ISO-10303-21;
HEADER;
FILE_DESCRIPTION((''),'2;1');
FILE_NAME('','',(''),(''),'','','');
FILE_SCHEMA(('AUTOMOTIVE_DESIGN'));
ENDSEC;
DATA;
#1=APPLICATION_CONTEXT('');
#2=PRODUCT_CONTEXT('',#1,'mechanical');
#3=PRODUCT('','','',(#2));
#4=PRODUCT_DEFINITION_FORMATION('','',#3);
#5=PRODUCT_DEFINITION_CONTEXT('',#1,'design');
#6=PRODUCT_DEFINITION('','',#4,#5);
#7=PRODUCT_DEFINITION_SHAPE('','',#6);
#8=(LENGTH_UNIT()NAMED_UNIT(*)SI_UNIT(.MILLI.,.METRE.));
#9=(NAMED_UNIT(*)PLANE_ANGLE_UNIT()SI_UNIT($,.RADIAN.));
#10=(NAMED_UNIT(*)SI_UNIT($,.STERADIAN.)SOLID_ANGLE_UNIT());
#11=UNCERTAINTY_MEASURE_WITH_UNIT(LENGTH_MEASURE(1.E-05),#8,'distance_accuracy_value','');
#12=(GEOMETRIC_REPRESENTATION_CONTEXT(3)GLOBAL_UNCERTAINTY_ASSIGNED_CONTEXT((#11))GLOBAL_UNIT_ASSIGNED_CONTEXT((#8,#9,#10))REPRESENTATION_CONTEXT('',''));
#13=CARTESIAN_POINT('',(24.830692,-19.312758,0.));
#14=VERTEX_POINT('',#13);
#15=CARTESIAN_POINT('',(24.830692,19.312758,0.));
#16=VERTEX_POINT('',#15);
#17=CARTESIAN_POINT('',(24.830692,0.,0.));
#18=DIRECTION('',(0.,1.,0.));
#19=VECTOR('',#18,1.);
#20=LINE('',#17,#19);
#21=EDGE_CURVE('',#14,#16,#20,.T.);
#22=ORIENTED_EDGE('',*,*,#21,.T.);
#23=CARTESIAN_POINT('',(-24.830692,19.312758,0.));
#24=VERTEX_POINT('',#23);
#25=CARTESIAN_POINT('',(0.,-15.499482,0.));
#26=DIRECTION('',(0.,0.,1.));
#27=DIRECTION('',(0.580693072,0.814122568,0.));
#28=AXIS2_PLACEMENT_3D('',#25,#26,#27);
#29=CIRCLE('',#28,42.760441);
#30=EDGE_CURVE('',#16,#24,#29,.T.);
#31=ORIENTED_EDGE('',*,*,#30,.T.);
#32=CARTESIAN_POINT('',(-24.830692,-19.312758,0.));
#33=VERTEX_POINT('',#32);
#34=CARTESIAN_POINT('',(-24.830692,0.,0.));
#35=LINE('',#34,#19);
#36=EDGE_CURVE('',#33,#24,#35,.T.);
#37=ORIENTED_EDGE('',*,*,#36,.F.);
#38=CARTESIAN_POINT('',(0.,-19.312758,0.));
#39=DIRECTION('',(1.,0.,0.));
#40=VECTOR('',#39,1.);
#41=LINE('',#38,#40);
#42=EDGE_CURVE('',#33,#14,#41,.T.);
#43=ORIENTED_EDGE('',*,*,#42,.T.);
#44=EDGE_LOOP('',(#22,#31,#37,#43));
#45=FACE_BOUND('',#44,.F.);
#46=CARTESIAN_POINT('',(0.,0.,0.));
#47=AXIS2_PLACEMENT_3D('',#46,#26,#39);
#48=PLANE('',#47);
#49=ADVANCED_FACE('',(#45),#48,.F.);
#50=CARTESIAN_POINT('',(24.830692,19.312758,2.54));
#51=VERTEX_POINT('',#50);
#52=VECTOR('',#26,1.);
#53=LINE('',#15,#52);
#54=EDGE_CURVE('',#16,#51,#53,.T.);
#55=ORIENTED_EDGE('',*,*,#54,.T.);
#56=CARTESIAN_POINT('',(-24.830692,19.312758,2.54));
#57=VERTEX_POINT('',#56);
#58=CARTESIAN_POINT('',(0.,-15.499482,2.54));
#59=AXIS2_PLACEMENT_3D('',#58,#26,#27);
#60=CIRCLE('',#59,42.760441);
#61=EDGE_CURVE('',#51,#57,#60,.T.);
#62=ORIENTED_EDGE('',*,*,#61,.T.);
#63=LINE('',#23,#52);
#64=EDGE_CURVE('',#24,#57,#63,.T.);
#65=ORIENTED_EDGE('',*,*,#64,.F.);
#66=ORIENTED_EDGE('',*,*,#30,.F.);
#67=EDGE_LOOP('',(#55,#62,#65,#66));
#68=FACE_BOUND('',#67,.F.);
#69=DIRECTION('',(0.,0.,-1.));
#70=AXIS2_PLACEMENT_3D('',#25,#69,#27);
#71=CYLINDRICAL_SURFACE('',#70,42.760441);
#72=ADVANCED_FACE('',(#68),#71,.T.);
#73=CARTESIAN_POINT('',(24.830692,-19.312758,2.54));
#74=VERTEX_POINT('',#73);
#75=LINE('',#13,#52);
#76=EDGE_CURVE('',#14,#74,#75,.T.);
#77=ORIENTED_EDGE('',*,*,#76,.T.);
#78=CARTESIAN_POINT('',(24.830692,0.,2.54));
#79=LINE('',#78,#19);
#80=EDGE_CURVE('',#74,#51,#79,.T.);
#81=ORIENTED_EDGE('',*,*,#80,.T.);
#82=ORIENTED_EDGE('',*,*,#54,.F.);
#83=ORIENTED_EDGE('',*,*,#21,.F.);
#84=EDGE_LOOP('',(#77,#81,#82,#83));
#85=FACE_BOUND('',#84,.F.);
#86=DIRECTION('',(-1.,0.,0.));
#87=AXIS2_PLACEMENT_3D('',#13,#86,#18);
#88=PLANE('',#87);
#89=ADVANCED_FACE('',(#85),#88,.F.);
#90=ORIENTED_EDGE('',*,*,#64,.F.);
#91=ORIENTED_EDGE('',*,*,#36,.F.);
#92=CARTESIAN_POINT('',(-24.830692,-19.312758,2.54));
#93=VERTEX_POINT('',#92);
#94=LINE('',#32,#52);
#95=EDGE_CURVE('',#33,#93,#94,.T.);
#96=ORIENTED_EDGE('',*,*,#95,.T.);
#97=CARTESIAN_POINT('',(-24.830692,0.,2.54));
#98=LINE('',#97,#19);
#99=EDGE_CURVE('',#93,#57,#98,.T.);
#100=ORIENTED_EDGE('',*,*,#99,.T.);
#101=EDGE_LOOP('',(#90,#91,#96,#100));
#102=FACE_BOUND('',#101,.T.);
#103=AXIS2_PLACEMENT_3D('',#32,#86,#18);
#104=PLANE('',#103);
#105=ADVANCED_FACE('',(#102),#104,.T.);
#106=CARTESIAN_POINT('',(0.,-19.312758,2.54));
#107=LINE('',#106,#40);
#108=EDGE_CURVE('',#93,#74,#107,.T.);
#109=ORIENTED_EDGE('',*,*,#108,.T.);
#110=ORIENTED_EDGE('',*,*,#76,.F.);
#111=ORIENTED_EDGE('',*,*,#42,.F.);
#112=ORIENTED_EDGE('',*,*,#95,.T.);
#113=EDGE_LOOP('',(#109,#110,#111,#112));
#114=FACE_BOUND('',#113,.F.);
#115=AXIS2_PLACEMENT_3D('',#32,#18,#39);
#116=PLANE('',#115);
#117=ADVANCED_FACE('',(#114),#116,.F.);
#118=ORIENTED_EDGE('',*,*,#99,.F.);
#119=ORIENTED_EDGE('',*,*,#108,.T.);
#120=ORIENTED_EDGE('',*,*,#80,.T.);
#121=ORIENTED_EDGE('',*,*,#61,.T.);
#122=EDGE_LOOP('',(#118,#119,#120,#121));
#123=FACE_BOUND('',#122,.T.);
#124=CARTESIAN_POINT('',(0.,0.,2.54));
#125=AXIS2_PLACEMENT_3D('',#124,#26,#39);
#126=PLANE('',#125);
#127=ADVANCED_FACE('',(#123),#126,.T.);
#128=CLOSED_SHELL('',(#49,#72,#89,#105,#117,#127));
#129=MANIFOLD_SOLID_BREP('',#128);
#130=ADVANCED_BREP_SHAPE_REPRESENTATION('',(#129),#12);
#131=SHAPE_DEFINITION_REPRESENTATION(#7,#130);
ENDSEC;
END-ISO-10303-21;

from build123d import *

# Parameters (mm, degrees)
F0_W     = 49.661384
F0_H     = 38.625516
F1_DEPTH = 2.54


with BuildPart() as f1:
    # F0 (on Top) → F1 (new body)
    with BuildSketch(Plane.XY):
        Rectangle(F0_W, F0_H)
        with BuildLine():
            Line((-24.830692, 19.312758), (24.830692, 19.312758))
            ThreePointArc((24.830692, 19.312758), (0, 27.260959), (-24.830692, 19.312758))
        make_face()
    extrude(amount=F1_DEPTH)


solid = f1.part
